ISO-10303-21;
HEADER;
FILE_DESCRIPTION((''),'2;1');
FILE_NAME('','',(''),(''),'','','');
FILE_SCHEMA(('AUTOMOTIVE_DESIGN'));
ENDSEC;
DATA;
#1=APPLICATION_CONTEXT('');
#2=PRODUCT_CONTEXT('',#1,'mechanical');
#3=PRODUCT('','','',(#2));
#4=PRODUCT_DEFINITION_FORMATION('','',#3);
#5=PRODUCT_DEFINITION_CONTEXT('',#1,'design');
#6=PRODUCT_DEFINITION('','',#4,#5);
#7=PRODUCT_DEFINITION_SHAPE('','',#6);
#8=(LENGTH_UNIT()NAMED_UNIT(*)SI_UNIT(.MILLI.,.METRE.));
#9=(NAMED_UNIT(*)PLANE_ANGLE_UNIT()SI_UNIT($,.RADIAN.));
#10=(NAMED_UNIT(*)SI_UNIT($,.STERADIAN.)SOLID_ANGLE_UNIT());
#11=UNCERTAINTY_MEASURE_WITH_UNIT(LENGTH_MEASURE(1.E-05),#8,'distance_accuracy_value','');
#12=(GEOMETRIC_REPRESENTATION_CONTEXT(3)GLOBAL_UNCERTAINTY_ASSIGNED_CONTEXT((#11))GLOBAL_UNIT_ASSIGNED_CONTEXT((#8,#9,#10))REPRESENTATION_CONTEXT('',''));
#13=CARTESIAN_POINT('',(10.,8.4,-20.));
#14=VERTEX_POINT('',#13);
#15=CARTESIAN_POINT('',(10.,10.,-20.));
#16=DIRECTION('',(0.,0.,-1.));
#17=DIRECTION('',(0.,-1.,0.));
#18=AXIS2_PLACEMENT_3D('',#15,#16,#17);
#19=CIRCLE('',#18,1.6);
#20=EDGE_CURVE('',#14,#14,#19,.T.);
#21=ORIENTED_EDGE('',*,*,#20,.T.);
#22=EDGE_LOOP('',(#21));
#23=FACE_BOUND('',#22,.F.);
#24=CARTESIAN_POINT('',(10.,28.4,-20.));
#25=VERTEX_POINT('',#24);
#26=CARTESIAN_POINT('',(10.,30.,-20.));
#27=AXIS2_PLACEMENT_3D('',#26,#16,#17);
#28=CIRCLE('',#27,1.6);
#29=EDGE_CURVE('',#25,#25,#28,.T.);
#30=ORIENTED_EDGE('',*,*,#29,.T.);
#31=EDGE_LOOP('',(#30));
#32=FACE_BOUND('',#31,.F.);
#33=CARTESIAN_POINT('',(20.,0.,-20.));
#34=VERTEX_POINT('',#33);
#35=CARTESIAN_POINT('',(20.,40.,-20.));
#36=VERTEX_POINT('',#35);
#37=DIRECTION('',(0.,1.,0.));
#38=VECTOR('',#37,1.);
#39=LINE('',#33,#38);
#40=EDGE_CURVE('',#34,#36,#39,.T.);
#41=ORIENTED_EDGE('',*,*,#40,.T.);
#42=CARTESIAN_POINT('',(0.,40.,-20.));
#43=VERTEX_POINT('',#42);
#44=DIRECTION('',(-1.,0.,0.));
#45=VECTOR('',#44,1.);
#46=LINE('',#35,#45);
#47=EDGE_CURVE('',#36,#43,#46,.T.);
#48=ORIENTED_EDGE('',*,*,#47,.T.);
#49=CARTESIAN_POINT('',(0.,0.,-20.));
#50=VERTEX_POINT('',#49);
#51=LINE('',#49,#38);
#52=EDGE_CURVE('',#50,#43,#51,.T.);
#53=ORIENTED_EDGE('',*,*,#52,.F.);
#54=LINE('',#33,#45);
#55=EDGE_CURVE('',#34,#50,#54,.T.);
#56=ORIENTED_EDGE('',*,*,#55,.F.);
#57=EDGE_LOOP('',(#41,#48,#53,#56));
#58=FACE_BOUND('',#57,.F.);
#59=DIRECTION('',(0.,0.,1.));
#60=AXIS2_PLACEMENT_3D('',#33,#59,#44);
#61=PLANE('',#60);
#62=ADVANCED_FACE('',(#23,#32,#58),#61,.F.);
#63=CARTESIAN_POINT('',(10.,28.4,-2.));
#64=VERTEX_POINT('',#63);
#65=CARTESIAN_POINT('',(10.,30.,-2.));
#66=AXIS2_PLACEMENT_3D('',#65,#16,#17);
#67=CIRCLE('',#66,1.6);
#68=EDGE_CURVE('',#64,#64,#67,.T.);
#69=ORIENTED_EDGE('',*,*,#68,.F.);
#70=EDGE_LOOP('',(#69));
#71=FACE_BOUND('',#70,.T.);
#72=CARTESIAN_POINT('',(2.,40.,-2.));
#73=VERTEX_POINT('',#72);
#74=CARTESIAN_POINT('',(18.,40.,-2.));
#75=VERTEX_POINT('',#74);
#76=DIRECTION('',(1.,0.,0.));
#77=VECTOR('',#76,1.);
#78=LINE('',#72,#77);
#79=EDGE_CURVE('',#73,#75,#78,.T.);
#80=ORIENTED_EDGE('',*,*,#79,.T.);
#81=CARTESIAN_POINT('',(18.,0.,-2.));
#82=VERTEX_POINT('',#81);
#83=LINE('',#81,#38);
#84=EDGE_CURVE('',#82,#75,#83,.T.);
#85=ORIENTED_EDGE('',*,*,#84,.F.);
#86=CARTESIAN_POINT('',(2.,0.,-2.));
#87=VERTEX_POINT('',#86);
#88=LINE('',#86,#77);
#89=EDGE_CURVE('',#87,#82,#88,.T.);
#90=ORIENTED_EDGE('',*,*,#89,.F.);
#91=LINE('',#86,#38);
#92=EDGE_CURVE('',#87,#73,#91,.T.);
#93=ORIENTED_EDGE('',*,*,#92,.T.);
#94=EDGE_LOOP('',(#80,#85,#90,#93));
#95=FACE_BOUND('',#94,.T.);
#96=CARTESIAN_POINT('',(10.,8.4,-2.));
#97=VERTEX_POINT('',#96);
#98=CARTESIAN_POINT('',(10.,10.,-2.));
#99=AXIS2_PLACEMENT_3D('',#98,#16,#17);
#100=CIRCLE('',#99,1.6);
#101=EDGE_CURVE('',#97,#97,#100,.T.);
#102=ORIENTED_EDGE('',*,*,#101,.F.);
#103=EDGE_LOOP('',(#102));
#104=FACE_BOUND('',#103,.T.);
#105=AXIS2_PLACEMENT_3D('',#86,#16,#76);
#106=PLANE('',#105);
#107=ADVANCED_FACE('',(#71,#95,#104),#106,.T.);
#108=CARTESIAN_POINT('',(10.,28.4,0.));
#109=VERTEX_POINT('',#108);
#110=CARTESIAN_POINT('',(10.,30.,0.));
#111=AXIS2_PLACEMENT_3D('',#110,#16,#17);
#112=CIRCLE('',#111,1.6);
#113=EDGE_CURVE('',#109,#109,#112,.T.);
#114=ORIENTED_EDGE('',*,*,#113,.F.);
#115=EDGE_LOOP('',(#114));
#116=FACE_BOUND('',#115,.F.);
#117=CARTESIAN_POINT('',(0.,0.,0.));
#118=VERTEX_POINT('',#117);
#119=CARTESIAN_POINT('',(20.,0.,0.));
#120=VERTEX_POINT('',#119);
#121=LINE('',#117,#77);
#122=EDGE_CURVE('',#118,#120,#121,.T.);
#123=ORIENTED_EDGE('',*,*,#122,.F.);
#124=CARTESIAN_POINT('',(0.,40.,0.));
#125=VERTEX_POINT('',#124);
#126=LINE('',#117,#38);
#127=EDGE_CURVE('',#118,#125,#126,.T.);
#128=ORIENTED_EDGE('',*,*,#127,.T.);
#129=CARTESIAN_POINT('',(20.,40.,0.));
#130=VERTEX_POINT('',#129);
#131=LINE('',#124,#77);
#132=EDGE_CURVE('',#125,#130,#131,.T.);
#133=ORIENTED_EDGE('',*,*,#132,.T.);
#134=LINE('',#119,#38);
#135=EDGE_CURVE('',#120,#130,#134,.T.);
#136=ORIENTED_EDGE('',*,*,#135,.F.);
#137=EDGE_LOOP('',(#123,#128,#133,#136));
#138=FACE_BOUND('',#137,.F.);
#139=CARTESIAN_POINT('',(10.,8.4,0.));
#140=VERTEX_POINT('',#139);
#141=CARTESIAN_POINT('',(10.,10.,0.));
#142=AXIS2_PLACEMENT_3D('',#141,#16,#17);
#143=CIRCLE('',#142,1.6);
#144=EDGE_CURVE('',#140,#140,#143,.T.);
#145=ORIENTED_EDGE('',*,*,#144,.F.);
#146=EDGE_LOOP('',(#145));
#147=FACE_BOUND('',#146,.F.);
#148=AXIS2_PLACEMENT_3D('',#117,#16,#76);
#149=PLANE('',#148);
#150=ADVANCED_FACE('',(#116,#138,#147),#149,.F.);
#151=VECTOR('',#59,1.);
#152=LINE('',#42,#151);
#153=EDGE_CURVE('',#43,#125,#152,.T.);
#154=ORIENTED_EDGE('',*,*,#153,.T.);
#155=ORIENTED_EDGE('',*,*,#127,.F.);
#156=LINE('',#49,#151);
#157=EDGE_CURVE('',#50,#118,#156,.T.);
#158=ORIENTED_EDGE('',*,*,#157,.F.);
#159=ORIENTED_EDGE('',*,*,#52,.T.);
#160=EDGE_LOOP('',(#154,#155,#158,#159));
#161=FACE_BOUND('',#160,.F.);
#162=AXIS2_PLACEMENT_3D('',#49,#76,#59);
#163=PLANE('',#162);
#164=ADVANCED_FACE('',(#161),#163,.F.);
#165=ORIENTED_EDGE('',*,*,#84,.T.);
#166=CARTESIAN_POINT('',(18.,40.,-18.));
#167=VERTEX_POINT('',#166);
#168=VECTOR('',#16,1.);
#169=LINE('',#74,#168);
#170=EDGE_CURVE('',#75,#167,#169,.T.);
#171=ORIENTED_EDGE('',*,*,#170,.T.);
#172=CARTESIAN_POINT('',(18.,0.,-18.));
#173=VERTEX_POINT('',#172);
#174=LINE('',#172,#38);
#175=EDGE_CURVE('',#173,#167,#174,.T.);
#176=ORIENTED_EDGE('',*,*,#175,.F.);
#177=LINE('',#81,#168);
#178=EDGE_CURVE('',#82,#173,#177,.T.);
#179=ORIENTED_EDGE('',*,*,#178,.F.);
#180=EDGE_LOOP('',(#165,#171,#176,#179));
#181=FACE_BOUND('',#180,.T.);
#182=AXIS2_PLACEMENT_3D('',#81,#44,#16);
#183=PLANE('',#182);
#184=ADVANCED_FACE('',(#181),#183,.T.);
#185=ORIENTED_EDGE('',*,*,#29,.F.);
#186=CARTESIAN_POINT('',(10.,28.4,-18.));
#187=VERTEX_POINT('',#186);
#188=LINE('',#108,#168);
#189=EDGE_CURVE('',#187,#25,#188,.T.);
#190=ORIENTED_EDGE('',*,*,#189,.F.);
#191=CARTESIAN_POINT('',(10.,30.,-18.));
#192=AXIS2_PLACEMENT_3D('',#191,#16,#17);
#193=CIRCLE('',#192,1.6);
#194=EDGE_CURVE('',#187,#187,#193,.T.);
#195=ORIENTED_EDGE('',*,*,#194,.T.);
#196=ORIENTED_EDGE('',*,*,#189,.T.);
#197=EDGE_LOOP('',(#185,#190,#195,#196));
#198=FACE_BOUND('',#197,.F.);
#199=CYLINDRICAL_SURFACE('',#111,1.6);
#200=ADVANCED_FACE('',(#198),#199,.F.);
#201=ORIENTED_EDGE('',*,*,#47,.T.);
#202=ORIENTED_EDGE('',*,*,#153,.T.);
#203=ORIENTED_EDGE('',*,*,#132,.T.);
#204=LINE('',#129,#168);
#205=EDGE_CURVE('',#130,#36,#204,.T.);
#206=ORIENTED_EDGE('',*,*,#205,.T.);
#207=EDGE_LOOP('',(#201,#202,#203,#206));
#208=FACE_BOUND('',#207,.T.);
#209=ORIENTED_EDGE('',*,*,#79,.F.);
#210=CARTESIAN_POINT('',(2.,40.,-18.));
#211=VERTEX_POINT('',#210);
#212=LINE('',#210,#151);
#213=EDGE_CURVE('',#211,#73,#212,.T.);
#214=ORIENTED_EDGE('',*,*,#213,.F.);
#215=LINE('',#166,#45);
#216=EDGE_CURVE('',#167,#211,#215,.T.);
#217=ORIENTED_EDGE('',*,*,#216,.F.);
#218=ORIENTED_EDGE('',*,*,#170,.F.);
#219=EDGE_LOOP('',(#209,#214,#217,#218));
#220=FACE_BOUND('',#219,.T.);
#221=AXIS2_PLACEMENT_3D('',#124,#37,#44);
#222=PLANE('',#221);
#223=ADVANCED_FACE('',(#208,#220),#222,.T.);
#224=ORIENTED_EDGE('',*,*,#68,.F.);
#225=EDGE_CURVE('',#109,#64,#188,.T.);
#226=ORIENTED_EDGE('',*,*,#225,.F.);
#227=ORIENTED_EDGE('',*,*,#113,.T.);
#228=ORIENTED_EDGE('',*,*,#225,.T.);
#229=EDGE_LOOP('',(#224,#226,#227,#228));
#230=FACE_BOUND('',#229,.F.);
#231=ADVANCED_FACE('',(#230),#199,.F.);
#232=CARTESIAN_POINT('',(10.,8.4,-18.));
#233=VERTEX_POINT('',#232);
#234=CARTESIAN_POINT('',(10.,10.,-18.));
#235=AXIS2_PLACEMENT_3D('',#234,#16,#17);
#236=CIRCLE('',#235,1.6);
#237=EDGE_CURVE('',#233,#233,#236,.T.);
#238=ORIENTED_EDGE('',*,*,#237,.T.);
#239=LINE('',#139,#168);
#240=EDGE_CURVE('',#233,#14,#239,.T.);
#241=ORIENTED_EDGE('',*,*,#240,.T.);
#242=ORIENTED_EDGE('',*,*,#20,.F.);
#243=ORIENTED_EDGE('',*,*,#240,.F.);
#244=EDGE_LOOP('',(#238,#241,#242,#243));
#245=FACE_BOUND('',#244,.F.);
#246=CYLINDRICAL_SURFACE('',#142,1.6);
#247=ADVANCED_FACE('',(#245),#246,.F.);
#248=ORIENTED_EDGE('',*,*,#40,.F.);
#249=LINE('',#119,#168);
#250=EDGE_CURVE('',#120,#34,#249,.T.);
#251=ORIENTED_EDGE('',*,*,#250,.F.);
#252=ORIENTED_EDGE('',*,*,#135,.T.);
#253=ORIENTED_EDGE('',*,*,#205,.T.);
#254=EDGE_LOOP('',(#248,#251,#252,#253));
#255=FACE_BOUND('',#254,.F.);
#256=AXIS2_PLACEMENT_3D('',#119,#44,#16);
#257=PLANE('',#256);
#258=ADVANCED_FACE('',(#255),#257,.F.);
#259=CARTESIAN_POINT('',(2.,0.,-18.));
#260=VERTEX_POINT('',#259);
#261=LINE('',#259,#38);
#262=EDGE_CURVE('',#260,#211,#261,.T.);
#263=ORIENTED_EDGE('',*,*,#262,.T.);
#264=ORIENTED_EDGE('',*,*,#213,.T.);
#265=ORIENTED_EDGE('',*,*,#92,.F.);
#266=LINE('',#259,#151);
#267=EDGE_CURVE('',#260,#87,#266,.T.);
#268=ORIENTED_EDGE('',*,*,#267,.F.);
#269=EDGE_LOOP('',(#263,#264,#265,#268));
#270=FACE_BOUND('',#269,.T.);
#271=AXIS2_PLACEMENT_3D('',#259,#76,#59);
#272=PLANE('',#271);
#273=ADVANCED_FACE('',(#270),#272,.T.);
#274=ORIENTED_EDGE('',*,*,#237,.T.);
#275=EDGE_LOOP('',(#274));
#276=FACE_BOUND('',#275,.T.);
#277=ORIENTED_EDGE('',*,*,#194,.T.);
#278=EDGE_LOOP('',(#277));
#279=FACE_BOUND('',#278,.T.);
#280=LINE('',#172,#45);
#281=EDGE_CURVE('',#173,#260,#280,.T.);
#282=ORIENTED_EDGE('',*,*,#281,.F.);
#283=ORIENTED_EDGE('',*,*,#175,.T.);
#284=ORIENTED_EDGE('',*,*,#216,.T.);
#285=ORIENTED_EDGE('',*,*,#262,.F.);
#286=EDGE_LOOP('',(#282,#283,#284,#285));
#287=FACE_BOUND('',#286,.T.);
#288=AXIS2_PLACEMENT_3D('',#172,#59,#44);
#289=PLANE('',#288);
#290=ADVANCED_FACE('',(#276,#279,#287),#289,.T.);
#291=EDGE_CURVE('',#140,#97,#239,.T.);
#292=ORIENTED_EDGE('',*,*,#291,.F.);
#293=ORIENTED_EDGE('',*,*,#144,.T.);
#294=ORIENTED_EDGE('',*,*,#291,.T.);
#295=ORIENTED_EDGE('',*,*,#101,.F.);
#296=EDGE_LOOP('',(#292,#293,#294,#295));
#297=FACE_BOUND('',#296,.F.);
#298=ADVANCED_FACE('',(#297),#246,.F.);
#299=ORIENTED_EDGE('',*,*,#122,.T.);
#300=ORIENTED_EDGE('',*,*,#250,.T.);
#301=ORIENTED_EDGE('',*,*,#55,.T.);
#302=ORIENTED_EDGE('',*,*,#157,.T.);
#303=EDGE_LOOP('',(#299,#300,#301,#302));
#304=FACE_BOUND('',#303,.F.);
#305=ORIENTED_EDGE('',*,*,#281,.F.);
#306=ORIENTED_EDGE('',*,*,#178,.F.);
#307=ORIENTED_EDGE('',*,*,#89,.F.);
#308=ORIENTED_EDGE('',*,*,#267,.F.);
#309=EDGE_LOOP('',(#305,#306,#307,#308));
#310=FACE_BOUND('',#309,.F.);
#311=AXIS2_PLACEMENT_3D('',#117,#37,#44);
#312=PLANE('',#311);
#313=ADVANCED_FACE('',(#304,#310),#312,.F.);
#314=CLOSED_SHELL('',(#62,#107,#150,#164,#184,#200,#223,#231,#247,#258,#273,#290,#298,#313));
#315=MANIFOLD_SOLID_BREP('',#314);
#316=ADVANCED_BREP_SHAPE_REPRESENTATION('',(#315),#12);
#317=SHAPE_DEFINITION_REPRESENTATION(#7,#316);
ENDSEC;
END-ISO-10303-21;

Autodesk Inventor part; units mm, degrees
ref_plane "YZ Plane" through (0, 0, 0) normal (1, 0, 0) x (0, 1, 0)
ref_plane "XZ Plane" through (0, 0, 0) normal (0, 1, 0) x (-1, 0, 0)
ref_plane "XY Plane" through (0, 0, 0) normal (0, 0, 1) x (1, 0, 0)
sketch "スケッチ1" plane through (0, 0, 0) normal (0, 1, 0) x (-1, 0, 0)
  line L0 (0, 0) -> (-20, 0)
  line L1 (-20, 0) -> (-20, -20)
  line L2 (-20, -20) -> (0, -20)
  line L3 (0, -20) -> (0, 0)
  line L4 (-2, -2) -> (-18, -2)
  line L5 (-18, -2) -> (-18, -18)
  line L6 (-18, -18) -> (-2, -18)
  line L7 (-2, -18) -> (-2, -2)
  dimension "d0" = 20
  dimension "d1" = 20
  dimension "d2" = 16
  dimension "d3" = 16
  dimension "d4" = 2
  dimension "d18" = 2
extrude "押し出し1" add sketch "スケッチ1" along normal blind 40
sketch "スケッチ2" plane through (0, 0, 0) normal (0, 0, 1) x (1, 0, 0)
  line L0 (20, 0) -> (20, 40) projected
  line L1 (0, 0) -> (20, 0) projected
  line L2 (0, 40) -> (20, 40) projected
  point P0 (10, 30)
  point P1 (10, 10)
  dimension "d7" = 10
  dimension "d8" = 10
  dimension "d9" = 10
  dimension "d10" = 10
hole "穴1" at (10, 30, 0) at (10, 10, 0) direction (0, 0, -1) diameter 3.2 end through all
properties part number "arm_jig" material "アルミニウム 6061"
